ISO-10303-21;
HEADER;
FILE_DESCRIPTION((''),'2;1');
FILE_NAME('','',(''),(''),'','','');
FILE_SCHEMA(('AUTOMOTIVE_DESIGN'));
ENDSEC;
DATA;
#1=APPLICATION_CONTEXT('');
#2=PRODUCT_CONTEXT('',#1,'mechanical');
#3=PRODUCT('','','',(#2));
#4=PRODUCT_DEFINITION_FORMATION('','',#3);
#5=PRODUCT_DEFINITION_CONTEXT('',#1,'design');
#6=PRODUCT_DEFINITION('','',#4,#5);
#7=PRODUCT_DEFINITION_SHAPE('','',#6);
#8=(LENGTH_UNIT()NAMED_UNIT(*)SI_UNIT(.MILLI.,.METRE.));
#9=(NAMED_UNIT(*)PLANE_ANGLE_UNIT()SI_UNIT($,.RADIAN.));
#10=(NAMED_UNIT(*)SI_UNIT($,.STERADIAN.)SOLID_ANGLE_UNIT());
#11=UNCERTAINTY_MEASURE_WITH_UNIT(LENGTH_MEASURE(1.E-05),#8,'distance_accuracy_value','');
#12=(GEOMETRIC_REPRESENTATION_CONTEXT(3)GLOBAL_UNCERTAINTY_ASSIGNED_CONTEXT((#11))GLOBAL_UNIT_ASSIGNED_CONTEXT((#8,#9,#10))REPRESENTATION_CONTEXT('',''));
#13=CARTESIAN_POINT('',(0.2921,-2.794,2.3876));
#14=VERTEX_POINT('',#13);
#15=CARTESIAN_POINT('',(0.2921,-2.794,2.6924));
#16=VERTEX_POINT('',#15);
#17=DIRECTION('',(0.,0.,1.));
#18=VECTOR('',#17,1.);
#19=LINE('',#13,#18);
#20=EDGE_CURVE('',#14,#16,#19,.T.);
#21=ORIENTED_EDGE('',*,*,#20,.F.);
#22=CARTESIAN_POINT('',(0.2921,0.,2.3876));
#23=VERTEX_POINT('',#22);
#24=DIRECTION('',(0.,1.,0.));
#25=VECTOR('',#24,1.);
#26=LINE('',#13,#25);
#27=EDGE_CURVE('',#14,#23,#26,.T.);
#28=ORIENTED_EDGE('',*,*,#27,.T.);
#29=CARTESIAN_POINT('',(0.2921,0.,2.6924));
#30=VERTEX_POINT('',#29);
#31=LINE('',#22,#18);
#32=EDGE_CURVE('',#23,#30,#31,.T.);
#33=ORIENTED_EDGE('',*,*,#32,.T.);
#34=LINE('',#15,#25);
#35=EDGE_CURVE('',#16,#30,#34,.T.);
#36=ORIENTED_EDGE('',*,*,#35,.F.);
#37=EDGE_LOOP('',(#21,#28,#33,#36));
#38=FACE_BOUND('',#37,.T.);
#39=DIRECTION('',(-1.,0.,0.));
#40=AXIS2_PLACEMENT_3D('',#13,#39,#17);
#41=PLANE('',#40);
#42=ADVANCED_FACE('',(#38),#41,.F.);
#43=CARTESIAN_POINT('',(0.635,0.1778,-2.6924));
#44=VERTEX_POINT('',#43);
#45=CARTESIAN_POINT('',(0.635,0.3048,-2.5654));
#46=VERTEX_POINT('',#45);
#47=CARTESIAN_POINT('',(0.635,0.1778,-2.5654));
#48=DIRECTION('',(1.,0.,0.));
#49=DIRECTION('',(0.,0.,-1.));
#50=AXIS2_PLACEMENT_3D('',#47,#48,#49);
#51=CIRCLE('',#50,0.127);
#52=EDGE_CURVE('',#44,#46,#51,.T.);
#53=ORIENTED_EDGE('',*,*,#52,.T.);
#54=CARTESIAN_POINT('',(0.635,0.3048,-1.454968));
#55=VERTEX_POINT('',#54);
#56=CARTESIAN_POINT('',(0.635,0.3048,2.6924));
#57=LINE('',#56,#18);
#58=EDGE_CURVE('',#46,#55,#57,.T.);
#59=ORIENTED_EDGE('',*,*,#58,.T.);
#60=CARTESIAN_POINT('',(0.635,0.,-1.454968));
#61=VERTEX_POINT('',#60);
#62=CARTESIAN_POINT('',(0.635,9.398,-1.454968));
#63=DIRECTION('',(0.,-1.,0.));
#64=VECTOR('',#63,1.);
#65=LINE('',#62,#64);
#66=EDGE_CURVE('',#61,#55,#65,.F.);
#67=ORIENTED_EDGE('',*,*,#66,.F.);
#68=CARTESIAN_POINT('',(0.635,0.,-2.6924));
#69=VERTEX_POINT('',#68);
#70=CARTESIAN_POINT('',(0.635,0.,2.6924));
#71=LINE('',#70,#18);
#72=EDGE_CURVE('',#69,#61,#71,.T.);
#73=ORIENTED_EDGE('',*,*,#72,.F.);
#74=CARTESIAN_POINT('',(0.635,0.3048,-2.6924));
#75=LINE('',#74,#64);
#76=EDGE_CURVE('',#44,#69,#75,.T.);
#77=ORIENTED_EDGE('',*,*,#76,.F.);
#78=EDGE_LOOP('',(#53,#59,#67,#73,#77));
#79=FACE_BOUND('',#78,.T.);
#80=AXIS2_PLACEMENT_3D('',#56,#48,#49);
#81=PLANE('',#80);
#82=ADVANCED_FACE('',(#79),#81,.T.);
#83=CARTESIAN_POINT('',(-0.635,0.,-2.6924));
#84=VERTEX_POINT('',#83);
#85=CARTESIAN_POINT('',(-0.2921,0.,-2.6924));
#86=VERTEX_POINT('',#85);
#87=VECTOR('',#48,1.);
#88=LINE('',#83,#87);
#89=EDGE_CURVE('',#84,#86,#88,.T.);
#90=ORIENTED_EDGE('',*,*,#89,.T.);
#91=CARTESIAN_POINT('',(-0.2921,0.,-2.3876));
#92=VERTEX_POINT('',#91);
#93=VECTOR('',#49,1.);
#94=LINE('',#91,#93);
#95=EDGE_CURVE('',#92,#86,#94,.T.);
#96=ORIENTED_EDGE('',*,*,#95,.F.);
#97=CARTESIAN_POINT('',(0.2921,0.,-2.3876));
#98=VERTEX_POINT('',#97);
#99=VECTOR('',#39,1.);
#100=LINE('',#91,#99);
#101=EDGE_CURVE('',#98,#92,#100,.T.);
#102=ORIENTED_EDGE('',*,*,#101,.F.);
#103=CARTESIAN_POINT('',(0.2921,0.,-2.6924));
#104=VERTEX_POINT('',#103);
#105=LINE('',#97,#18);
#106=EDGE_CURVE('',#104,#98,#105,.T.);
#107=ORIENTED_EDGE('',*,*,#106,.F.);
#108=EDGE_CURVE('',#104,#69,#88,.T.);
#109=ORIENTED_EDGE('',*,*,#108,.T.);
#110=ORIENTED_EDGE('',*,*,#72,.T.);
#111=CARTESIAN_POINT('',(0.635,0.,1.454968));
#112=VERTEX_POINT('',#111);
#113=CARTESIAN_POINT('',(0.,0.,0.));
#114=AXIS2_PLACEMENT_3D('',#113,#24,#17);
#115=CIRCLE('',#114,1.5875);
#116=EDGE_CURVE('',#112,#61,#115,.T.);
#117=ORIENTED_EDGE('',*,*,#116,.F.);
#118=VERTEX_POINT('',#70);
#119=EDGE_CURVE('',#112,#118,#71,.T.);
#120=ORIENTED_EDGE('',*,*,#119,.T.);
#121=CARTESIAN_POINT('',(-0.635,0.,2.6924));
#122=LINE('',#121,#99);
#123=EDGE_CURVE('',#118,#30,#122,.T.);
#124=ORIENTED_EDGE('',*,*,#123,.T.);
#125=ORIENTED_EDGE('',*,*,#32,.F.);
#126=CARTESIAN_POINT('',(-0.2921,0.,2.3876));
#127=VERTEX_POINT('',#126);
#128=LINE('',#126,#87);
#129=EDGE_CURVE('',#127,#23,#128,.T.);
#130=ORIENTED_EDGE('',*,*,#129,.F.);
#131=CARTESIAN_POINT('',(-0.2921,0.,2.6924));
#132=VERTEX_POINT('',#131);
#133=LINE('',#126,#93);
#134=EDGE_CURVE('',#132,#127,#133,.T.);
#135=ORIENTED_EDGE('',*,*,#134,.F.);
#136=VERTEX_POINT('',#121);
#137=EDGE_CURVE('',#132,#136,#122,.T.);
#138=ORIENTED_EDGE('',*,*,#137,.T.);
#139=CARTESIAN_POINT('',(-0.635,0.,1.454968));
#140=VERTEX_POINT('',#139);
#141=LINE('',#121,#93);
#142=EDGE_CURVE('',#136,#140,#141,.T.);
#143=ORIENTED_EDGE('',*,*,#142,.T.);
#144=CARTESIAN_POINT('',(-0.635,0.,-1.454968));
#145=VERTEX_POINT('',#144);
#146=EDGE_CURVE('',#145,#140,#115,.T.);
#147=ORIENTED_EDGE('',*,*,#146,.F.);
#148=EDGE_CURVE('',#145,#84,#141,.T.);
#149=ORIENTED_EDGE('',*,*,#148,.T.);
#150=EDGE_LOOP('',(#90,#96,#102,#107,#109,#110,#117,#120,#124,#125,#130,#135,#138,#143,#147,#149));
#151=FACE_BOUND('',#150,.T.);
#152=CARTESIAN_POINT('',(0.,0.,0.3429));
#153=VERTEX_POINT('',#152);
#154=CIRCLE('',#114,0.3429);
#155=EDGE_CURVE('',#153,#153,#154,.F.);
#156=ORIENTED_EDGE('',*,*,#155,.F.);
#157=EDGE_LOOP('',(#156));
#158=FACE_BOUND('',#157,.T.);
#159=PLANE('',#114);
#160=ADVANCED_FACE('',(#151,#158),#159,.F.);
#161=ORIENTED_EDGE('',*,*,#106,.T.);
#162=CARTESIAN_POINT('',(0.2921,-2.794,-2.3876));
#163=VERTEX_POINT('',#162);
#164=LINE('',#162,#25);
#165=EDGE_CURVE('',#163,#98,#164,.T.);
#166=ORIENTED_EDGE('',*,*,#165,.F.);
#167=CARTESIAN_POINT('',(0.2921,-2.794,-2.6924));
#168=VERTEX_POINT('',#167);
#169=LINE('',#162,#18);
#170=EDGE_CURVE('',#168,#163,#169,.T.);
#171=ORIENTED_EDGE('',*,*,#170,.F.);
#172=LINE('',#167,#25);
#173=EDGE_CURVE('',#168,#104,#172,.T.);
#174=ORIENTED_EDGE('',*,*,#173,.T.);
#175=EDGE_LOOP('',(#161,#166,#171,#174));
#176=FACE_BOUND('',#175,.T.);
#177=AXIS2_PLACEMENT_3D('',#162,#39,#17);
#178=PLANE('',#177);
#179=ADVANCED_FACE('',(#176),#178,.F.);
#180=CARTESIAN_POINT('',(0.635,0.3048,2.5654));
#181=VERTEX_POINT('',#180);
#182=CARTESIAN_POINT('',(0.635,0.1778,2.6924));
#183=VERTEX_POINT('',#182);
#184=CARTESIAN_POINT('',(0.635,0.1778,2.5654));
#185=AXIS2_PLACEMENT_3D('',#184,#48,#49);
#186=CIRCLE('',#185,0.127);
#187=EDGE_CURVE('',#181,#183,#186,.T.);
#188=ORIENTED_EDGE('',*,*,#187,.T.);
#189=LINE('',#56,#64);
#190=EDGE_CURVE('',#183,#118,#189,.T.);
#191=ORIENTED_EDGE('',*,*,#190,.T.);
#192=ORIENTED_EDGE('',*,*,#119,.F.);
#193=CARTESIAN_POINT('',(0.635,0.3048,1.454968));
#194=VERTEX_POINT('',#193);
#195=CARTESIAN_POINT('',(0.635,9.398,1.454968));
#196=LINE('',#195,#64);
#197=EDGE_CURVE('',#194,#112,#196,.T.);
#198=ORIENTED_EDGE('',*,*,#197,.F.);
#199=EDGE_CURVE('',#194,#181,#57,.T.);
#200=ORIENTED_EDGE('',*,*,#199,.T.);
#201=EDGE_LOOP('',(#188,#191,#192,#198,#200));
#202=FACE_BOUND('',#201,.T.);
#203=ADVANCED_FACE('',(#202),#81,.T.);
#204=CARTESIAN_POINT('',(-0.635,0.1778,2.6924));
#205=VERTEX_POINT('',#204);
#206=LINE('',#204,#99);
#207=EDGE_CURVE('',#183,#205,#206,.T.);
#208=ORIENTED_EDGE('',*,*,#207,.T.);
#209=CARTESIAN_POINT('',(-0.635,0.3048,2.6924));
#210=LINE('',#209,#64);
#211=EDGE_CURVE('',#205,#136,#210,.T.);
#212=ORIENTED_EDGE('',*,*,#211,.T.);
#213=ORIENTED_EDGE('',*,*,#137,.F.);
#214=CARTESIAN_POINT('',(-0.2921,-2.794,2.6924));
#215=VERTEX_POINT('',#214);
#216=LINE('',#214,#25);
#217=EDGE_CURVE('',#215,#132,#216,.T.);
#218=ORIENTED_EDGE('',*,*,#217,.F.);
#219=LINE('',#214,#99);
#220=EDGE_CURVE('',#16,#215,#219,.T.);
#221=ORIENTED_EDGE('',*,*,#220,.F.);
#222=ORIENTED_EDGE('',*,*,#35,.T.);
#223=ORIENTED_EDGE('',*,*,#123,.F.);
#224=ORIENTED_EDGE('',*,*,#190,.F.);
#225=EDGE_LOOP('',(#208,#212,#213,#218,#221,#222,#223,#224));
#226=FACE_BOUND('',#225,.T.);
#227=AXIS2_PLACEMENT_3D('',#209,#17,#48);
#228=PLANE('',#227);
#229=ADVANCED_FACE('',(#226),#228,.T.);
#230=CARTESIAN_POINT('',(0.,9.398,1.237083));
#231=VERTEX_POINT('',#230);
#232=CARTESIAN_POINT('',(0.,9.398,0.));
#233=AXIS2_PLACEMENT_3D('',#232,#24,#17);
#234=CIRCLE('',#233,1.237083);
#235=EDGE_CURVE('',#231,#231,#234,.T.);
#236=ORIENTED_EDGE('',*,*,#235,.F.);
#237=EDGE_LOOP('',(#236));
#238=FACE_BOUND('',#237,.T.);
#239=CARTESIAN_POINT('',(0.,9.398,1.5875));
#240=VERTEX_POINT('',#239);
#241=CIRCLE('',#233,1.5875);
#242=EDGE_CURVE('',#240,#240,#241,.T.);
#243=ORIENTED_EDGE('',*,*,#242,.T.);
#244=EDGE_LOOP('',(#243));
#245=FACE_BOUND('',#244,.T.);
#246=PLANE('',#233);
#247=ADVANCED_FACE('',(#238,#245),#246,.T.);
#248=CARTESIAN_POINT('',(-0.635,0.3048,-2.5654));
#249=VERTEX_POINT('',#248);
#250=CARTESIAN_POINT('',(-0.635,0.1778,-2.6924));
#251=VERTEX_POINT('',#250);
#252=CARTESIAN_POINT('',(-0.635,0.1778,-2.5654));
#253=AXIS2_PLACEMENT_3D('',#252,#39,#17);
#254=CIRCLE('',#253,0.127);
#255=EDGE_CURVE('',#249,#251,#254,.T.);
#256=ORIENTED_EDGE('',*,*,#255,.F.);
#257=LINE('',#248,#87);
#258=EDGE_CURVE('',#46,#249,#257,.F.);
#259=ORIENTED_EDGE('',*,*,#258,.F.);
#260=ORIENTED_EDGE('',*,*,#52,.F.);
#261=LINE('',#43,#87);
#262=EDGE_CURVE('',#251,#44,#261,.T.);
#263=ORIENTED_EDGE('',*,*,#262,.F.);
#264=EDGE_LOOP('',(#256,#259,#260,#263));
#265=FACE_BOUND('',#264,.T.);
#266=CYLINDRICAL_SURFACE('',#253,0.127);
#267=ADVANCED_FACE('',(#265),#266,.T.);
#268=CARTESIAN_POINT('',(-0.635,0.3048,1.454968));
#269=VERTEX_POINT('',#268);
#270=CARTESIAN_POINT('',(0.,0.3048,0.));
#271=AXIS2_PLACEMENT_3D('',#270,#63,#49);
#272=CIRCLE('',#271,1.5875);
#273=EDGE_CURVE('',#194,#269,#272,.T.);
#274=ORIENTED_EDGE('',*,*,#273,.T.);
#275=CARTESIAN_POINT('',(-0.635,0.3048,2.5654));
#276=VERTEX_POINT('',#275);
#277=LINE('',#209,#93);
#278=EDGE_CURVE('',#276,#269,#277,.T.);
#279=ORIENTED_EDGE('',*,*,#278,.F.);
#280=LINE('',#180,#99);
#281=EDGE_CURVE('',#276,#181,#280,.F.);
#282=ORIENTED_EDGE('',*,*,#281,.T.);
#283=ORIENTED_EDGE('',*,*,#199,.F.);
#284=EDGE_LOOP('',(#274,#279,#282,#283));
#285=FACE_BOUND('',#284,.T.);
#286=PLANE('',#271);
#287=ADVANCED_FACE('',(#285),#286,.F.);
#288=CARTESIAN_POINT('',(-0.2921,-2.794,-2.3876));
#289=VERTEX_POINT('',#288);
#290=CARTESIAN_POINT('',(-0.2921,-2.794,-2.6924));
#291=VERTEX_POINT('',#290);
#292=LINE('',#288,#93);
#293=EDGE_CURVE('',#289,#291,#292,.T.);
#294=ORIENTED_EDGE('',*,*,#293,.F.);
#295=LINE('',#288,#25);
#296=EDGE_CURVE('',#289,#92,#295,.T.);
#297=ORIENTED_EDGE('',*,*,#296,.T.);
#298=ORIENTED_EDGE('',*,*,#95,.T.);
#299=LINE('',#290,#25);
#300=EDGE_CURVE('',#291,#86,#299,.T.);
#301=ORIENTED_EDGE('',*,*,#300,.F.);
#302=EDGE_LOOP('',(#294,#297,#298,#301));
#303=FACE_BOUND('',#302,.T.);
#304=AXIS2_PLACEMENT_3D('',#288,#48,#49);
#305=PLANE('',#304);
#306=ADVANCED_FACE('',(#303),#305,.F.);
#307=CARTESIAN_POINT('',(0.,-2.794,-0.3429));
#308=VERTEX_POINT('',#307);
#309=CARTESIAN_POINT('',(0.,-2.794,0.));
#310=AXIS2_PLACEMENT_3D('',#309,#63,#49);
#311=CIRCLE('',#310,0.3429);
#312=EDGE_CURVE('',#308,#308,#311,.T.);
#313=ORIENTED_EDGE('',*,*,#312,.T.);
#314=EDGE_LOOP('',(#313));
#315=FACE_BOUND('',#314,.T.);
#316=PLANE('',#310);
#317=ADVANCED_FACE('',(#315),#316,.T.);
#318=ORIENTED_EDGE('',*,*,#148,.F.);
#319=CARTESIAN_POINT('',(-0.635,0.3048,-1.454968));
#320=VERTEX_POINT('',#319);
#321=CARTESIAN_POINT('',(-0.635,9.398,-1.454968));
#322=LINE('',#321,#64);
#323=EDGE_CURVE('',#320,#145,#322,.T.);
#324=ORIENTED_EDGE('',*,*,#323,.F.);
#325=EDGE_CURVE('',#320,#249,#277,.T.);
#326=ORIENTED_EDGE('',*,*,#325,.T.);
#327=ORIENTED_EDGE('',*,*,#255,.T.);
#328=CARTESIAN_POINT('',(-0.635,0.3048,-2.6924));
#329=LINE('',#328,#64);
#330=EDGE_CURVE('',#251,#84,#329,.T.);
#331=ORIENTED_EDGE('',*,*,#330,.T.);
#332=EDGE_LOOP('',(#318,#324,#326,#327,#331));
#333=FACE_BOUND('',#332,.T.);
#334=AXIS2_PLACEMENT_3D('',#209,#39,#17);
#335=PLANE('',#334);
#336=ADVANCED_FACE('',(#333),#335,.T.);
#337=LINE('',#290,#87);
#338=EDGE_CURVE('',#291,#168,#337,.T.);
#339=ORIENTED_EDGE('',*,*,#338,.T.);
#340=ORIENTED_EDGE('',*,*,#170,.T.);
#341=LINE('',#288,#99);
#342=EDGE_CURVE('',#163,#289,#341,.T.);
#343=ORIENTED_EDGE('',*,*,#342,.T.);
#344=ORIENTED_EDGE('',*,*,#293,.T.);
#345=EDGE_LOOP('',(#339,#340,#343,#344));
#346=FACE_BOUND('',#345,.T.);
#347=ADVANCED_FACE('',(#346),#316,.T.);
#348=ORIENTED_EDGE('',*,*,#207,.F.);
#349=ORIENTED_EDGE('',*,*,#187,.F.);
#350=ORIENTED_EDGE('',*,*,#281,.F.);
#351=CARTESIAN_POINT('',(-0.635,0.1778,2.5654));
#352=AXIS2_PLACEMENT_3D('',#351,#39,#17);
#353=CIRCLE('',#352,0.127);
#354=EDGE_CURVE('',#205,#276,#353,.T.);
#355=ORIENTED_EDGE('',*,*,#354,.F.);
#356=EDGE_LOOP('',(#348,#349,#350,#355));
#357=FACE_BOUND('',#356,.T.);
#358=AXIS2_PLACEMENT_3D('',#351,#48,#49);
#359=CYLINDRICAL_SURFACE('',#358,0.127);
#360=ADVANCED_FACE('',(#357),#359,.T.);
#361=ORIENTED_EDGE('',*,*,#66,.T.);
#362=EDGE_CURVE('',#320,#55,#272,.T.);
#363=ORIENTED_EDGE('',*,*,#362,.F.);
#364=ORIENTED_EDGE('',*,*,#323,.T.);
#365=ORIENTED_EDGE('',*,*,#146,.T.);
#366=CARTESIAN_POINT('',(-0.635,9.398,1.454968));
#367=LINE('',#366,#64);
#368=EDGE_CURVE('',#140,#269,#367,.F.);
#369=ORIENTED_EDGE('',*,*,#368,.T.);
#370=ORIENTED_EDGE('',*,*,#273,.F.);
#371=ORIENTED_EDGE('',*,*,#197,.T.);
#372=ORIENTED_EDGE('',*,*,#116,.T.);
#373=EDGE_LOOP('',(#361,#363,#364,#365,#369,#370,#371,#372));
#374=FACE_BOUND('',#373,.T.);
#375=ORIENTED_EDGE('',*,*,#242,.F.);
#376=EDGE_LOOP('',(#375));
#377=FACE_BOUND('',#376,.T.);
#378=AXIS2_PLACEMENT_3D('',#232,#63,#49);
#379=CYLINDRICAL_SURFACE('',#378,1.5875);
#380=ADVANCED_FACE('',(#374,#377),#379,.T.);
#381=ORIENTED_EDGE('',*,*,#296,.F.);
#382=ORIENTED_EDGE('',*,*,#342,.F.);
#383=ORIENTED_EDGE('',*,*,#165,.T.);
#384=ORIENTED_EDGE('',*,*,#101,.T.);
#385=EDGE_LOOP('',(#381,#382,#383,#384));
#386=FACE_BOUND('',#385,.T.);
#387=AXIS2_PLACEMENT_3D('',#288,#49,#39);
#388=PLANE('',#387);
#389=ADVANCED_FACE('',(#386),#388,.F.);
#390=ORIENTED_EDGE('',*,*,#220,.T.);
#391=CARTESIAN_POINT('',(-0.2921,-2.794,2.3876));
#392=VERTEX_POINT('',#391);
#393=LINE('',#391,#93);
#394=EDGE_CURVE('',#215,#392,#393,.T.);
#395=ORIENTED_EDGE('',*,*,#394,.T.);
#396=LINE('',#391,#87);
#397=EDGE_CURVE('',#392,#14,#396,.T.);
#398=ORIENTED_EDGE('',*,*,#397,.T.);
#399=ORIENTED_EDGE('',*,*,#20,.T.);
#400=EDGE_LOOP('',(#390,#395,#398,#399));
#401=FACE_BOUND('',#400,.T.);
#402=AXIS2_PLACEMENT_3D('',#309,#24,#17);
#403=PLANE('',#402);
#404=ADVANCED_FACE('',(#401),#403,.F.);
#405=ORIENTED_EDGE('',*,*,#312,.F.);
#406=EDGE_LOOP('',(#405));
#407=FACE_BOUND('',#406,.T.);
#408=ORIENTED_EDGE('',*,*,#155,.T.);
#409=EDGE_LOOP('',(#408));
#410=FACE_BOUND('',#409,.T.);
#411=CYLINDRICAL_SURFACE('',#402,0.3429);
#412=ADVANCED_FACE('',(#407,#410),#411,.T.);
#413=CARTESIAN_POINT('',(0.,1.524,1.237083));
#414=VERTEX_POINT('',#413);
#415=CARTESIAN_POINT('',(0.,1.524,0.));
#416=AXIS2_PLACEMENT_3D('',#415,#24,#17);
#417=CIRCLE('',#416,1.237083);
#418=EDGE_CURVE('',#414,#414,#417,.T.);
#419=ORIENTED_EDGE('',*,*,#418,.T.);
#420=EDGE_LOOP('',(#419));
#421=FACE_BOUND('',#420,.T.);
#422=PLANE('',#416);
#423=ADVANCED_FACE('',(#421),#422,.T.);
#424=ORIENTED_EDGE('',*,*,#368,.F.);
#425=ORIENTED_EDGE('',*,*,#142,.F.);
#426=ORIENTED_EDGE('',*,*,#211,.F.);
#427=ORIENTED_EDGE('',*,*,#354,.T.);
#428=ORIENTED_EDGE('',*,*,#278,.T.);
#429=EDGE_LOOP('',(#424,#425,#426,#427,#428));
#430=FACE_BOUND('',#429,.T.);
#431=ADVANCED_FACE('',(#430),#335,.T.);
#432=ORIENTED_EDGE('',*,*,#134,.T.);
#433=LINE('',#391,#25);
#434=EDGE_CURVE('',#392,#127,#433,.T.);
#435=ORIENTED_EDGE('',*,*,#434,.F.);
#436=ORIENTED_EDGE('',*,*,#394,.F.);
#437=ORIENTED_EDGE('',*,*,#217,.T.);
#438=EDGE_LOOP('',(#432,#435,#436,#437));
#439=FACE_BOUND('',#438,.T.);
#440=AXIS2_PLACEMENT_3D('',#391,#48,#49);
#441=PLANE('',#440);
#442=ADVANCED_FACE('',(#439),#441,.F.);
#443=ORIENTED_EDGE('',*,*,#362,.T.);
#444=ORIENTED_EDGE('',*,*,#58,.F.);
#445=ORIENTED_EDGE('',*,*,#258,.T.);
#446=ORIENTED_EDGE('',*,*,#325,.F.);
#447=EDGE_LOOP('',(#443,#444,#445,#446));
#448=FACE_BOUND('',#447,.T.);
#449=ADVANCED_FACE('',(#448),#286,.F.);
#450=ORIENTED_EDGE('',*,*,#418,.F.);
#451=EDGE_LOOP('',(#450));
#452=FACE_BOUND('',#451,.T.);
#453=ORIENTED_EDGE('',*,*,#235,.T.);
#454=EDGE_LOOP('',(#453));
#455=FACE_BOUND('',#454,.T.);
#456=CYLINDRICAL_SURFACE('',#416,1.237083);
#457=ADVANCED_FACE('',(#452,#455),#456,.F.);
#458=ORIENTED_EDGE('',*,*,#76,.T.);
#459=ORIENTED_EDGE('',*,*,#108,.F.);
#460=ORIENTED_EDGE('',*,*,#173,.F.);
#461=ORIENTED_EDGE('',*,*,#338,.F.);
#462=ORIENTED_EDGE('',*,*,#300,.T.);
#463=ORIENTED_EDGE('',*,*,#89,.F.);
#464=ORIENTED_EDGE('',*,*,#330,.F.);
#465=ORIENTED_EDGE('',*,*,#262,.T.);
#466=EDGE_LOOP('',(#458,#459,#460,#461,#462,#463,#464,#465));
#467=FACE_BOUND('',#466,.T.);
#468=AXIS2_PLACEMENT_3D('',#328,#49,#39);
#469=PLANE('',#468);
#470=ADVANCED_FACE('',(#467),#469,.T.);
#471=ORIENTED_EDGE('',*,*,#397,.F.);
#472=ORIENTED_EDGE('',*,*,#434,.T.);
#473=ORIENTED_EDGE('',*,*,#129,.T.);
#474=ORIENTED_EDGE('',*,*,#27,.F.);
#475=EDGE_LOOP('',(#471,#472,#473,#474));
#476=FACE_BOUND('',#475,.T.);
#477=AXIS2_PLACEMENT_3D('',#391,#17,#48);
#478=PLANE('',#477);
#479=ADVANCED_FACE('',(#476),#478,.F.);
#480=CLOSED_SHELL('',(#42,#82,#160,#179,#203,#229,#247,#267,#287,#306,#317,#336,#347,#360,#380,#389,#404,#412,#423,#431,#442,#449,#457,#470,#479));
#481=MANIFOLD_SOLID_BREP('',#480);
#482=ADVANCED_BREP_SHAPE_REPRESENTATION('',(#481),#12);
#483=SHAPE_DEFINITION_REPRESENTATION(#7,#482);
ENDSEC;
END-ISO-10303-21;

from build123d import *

# Parameters (mm, degrees)
SKETCH1_R           = 1.5875
BOSS_EXTRUDE1_DEPTH = 9.398
SKETCH2_R           = 0.3429
BOSS_EXTRUDE2_DEPTH = 2.794
SKETCH3_W           = 1.27
SKETCH3_H           = 5.3848
BOSS_EXTRUDE3_DEPTH = 0.3048
SKETCH4_W           = 0.5842
SKETCH4_H           = 0.3048
BOSS_EXTRUDE4_DEPTH = 2.794
FILLET1_R           = 0.127
SKETCH5_R           = 1.237083483
CUT_EXTRUDE1_DEPTH  = 7.874


with BuildPart() as part:
    # Sketch1 → Boss-Extrude1 (new body)
    with BuildSketch(Plane(origin=(0, 0, 0), x_dir=(1, 0, 0), z_dir=(0, 1, 0))):
        with Locations(Location((0, 0, 0), (0, 0, 270))):
            Circle(SKETCH1_R)
    extrude(amount=BOSS_EXTRUDE1_DEPTH)

    # Sketch2 → Boss-Extrude2 (add)
    with BuildSketch(Plane(origin=(0, 0, 0), x_dir=(-1, 0, 0), z_dir=(0, -1, 0))):
        with Locations(Location((0, 0, 0), (0, 0, 270))):
            Circle(SKETCH2_R)
    extrude(amount=BOSS_EXTRUDE2_DEPTH)

    # Sketch3 → Boss-Extrude3 (add)
    with BuildSketch(Plane(origin=(0, 0, 0), x_dir=(-1, 0, 0), z_dir=(0, -1, 0))):
        Rectangle(SKETCH3_W, SKETCH3_H)
    extrude(amount=-BOSS_EXTRUDE3_DEPTH)

    # Sketch4 → Boss-Extrude4 (add)
    with BuildSketch(Plane(origin=(0, 0, 0), x_dir=(-1, 0, 0), z_dir=(0, -1, 0))):
        with Locations((0, 2.54)):
            Rectangle(SKETCH4_W, SKETCH4_H)
        with Locations((0, -2.54)):
            Rectangle(SKETCH4_W, SKETCH4_H)
    extrude(amount=BOSS_EXTRUDE4_DEPTH)

    # Fillet1
    fillet1_edges = [part.edges().sort_by_distance(p)[0] for p in [
        (0, 0.3048, 2.6924),
        (0, 0.3048, -2.6924),
    ]]
    fillet(fillet1_edges, radius=FILLET1_R)

    # Sketch5 → Cut-Extrude1 (cut)
    with BuildSketch(Plane(origin=(0, 9.398, 0), x_dir=(1, 0, 0), z_dir=(0, 1, 0))):
        with Locations(Location((0, 0, 0), (0, 0, 270))):
            Circle(SKETCH5_R)
    extrude(amount=-CUT_EXTRUDE1_DEPTH, mode=Mode.SUBTRACT)


solid = part.part
